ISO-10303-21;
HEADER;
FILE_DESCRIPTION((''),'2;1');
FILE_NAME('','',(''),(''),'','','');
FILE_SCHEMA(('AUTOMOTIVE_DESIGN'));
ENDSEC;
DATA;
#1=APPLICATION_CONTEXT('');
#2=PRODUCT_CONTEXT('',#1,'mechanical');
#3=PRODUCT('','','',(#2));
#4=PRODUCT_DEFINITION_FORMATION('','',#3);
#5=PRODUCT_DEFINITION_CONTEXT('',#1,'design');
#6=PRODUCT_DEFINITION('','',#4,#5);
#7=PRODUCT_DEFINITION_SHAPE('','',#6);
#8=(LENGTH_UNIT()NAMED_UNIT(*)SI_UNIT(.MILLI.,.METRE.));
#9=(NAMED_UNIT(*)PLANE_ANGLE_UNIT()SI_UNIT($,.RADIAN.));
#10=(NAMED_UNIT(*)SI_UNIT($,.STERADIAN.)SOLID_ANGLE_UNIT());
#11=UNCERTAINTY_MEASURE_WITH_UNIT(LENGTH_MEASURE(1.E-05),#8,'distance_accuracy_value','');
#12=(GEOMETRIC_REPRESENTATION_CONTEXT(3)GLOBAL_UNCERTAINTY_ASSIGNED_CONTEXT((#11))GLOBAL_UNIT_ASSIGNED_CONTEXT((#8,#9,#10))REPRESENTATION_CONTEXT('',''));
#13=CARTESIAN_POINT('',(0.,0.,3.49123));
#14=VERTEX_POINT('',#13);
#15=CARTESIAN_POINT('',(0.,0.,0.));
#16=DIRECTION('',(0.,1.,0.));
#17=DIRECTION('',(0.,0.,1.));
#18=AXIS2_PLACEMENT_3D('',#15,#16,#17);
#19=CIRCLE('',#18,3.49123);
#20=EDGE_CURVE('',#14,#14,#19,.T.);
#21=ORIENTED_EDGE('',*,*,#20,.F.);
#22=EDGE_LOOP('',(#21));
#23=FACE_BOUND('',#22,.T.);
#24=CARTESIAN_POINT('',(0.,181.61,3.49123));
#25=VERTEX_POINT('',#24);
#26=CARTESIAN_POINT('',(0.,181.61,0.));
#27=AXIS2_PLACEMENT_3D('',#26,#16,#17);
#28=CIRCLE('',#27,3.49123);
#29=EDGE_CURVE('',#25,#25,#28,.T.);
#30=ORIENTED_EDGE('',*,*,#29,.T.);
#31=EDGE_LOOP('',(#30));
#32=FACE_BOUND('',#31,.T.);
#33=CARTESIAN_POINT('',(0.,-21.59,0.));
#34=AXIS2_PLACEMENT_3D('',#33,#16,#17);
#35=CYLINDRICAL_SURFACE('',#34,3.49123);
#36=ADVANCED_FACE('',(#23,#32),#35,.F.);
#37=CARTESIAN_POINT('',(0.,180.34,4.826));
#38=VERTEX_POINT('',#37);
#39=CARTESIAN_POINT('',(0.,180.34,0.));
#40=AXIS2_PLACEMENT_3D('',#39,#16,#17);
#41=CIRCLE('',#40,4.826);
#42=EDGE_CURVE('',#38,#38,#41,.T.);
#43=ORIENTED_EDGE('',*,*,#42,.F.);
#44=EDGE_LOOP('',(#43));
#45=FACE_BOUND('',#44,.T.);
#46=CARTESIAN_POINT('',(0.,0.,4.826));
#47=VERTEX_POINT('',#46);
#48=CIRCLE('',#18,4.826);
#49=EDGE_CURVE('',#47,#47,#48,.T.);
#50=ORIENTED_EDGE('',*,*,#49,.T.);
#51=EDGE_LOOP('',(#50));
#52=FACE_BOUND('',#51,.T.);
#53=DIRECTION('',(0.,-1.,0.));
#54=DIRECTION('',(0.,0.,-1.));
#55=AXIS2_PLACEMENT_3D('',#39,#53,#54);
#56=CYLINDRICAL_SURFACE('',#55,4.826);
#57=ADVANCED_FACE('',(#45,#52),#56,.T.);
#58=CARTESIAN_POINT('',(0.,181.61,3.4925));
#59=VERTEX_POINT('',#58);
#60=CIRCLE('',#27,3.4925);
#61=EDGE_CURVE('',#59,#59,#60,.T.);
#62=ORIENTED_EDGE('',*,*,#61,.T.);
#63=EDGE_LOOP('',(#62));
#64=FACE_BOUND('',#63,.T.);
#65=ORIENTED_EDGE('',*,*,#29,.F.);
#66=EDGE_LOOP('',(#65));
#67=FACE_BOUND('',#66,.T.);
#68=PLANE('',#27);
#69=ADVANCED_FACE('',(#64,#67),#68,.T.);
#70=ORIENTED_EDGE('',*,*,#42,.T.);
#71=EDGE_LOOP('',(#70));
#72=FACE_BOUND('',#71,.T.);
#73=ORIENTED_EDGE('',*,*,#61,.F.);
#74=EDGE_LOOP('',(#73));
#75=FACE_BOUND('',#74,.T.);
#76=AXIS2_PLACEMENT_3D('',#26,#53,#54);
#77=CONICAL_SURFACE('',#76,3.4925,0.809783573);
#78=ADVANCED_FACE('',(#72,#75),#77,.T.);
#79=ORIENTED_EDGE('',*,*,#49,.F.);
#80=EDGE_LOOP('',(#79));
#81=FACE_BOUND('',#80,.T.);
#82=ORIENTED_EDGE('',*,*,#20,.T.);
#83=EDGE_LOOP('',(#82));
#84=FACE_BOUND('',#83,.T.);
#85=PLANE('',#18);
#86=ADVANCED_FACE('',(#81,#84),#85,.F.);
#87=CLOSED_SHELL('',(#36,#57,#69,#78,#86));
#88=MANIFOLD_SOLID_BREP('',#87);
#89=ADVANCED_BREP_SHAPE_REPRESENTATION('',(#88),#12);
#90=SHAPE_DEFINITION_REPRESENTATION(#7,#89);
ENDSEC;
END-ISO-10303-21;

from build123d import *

# Parameters (mm, degrees)
SKETCH1_R           = 4.826
BOSS_EXTRUDE1_DEPTH = 180.34
SKETCH2_R           = 3.4925
BOSS_EXTRUDE2_DEPTH = 1.27
SKETCH3_R           = 3.49123
CUT_EXTRUDE2_DEPTH  = 203.2


with BuildPart() as part:
    # Sketch1 → Boss-Extrude1 (new body)
    with BuildSketch(Plane(origin=(0, 0, 0), x_dir=(1, 0, 0), z_dir=(0, 1, 0))):
        with Locations(Location((0, 0, 0), (0, 0, 270))):
            Circle(SKETCH1_R)
    extrude(amount=BOSS_EXTRUDE1_DEPTH)

    # Sketch2 → Boss-Extrude2 (add)
    with BuildSketch(Plane(origin=(0, 180.34, 0), x_dir=(1, 0, 0), z_dir=(0, 1, 0))):
        with Locations(Location((0, 0, 0), (0, 0, 270))):
            Circle(SKETCH2_R)
    extrude(amount=BOSS_EXTRUDE2_DEPTH)

    # loft from a face of the part (loft3)
    loft([part.faces().sort_by_distance((0, 181.61, 0))[0], Face(Wire([part.edges().sort_by_distance((3.518002596, 180.34, -3.303624333))[0]]))])

    # Sketch3 → Cut-Extrude2 (cut)
    with BuildSketch(Plane(origin=(0, 181.61, 0), x_dir=(1, 0, 0), z_dir=(0, 1, 0))):
        with Locations(Location((0, 0, 0), (0, 0, 270))):
            Circle(SKETCH3_R)
    extrude(amount=-CUT_EXTRUDE2_DEPTH, mode=Mode.SUBTRACT)


solid = part.part
